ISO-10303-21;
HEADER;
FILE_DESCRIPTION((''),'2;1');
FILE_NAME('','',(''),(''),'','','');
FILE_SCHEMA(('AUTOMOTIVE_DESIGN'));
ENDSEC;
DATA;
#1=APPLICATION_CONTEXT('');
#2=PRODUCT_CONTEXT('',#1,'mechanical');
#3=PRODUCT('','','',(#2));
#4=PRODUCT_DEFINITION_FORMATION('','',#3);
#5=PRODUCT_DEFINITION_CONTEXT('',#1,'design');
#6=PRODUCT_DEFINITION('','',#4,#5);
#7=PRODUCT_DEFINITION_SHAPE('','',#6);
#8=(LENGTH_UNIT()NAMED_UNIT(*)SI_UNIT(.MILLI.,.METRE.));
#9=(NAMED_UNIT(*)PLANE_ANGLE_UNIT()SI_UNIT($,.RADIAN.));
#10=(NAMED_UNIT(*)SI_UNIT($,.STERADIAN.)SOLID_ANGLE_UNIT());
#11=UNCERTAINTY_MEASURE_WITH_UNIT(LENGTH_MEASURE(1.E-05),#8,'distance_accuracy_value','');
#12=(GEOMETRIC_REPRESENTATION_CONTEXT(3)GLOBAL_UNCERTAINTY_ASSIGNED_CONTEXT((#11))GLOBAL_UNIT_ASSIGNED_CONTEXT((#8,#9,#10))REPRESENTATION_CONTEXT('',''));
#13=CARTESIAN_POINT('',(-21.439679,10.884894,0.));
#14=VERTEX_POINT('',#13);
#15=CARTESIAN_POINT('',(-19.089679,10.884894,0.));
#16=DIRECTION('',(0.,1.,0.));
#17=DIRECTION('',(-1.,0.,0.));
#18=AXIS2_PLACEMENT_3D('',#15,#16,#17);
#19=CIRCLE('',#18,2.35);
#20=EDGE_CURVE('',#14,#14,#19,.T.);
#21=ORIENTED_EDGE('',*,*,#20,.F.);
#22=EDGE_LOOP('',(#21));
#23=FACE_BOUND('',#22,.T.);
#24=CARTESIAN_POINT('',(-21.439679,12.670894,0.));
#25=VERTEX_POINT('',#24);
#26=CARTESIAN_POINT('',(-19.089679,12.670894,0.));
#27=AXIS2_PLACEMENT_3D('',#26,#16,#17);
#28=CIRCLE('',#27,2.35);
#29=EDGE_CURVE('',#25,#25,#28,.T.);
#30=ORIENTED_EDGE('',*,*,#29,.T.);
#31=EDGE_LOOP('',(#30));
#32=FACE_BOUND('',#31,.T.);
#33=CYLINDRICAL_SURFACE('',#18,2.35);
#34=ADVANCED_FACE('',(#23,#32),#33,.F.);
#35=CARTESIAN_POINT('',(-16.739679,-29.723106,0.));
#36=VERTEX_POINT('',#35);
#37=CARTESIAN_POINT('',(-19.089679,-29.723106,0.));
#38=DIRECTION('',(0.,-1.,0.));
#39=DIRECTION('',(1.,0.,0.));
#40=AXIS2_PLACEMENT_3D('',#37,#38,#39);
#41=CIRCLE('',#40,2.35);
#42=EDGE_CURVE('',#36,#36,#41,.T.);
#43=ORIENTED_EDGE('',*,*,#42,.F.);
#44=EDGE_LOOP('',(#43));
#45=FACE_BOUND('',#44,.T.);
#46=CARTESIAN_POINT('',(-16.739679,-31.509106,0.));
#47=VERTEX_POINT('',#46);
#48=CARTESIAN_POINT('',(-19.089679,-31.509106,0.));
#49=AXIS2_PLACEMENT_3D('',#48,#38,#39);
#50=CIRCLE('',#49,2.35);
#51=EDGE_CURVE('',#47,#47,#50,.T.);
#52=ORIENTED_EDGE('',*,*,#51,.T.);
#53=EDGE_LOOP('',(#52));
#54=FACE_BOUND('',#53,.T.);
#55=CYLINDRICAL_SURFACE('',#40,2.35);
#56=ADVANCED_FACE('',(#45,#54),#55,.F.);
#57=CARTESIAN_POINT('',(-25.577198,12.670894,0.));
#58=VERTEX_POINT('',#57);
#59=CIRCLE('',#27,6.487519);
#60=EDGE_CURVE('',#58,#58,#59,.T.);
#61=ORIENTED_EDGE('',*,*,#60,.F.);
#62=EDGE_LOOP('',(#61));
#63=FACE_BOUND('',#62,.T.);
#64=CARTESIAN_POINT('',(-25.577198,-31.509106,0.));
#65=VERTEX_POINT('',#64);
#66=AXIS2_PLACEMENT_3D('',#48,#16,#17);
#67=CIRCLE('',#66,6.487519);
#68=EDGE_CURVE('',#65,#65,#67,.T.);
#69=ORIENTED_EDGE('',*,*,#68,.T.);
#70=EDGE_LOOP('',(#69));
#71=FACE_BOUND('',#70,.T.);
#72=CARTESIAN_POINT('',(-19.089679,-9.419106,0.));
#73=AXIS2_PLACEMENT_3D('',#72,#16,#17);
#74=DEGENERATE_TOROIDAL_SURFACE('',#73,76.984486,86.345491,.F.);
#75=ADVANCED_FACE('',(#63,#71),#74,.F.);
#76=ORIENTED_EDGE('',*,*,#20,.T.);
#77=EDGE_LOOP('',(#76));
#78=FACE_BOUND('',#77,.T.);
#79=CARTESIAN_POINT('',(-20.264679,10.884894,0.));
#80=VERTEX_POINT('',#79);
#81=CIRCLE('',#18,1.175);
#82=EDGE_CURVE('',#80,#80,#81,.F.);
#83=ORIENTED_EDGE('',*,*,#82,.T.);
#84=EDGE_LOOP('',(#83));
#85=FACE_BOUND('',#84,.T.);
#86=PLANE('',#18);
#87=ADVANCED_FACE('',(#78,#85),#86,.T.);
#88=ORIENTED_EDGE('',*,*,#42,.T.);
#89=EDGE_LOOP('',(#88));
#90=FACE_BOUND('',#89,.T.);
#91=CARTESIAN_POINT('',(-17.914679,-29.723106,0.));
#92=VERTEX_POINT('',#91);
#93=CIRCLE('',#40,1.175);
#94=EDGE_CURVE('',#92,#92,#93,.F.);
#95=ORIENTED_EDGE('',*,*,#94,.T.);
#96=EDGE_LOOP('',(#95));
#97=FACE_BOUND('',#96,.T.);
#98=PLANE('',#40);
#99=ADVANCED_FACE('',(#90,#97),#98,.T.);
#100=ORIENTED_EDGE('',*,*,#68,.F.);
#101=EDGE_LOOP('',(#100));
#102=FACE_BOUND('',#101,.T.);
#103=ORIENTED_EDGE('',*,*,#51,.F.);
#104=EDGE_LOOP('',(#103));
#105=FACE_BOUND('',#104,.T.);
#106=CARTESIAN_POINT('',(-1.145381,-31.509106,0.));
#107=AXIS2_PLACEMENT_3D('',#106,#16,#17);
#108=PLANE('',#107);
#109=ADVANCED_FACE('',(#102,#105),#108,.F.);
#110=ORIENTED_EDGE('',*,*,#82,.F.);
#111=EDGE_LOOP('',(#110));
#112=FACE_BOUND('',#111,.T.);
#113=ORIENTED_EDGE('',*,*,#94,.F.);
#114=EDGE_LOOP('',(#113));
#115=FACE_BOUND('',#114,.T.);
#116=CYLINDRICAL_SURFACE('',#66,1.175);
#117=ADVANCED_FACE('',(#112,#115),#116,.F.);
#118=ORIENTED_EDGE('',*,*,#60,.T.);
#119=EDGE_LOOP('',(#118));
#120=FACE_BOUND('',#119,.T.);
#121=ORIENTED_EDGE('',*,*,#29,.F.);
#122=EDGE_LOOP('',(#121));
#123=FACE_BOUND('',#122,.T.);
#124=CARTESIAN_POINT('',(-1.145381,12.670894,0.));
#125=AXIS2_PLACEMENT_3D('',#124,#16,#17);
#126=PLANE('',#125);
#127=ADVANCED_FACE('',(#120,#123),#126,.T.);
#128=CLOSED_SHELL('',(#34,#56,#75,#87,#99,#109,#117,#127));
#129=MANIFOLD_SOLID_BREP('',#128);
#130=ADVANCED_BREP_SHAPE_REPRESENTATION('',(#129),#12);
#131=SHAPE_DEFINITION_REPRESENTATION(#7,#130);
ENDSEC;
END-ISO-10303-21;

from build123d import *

# Parameters (mm, degrees)
SKETCH7_R          = 1.25
CUT_EXTRUDE6_DEPTH = 48.0000001
SKETCH8_R          = 2.5
CUT_EXTRUDE7_DEPTH = 1.9
SKETCH9_R          = 2.5
CUT_EXTRUDE8_DEPTH = 1.9
SCALE1_SCALE       = 0.95
SCALE2_SCALE       = 1.052631579
SCALE3_SCALE       = 0.94


with BuildPart() as part:
    # Sketch4 → Revolve2 (revolve)
    with BuildSketch(Plane.XY):
        with BuildLine():
            ThreePointArc((-12.188062192, 14.080894234), (-9.13116282, -9.419105766), (-12.188062192, -32.919105766))
            Line((-12.188062192, -32.919105766), (-19.089678679, -32.919105766))
            Line((-19.089678679, -32.919105766), (-19.089678679, 14.080894234))
            Line((-19.089678679, 14.080894234), (-12.188062192, 14.080894234))
        make_face()
    revolve(axis=Axis((-19.089678679, 14.080894234, 0), (0, -1, 0)))

    # Sketch7 → Cut-Extrude6 (cut, through all)
    with BuildSketch(Plane(origin=(0, 14.080894234, 0), x_dir=(1, 0, 0), z_dir=(0, 1, 0))):
        with Locations((-19.089678679, 0)):
            Circle(SKETCH7_R)
    extrude(amount=-CUT_EXTRUDE6_DEPTH, mode=Mode.SUBTRACT)

    # Sketch8 → Cut-Extrude7 (cut)
    with BuildSketch(Plane.XZ.offset(32.919105766)):
        with Locations((-19.089678679, 0)):
            Circle(SKETCH8_R)
    extrude(amount=-CUT_EXTRUDE7_DEPTH, mode=Mode.SUBTRACT)

    # Sketch9 → Cut-Extrude8 (cut)
    with BuildSketch(Plane(origin=(0, 14.080894234, 0), x_dir=(1, 0, 0), z_dir=(0, 1, 0))):
        with Locations((-19.089678679, 0)):
            Circle(SKETCH9_R)
    extrude(amount=-CUT_EXTRUDE8_DEPTH, mode=Mode.SUBTRACT)


with BuildPart() as part_1:
    # Scale1: scaled about (-19.089678679, -9.419105766, 0)
    add(part.part.scale(SCALE1_SCALE).moved(Location((-0.954483934, -0.470955288, 0))))


with BuildPart() as part_2:
    # Scale2: scaled about (-19.089678679, -9.419105766, 0)
    add(part_1.part.scale(SCALE2_SCALE).moved(Location((1.00471993, 0.495742409, 0))))


with BuildPart() as part_3:
    # Scale3: scaled about (-19.089678679, -9.419105766, 0)
    add(part_2.part.scale(SCALE3_SCALE).moved(Location((-1.145380721, -0.565146346, 0))))


solid = part_3.part
